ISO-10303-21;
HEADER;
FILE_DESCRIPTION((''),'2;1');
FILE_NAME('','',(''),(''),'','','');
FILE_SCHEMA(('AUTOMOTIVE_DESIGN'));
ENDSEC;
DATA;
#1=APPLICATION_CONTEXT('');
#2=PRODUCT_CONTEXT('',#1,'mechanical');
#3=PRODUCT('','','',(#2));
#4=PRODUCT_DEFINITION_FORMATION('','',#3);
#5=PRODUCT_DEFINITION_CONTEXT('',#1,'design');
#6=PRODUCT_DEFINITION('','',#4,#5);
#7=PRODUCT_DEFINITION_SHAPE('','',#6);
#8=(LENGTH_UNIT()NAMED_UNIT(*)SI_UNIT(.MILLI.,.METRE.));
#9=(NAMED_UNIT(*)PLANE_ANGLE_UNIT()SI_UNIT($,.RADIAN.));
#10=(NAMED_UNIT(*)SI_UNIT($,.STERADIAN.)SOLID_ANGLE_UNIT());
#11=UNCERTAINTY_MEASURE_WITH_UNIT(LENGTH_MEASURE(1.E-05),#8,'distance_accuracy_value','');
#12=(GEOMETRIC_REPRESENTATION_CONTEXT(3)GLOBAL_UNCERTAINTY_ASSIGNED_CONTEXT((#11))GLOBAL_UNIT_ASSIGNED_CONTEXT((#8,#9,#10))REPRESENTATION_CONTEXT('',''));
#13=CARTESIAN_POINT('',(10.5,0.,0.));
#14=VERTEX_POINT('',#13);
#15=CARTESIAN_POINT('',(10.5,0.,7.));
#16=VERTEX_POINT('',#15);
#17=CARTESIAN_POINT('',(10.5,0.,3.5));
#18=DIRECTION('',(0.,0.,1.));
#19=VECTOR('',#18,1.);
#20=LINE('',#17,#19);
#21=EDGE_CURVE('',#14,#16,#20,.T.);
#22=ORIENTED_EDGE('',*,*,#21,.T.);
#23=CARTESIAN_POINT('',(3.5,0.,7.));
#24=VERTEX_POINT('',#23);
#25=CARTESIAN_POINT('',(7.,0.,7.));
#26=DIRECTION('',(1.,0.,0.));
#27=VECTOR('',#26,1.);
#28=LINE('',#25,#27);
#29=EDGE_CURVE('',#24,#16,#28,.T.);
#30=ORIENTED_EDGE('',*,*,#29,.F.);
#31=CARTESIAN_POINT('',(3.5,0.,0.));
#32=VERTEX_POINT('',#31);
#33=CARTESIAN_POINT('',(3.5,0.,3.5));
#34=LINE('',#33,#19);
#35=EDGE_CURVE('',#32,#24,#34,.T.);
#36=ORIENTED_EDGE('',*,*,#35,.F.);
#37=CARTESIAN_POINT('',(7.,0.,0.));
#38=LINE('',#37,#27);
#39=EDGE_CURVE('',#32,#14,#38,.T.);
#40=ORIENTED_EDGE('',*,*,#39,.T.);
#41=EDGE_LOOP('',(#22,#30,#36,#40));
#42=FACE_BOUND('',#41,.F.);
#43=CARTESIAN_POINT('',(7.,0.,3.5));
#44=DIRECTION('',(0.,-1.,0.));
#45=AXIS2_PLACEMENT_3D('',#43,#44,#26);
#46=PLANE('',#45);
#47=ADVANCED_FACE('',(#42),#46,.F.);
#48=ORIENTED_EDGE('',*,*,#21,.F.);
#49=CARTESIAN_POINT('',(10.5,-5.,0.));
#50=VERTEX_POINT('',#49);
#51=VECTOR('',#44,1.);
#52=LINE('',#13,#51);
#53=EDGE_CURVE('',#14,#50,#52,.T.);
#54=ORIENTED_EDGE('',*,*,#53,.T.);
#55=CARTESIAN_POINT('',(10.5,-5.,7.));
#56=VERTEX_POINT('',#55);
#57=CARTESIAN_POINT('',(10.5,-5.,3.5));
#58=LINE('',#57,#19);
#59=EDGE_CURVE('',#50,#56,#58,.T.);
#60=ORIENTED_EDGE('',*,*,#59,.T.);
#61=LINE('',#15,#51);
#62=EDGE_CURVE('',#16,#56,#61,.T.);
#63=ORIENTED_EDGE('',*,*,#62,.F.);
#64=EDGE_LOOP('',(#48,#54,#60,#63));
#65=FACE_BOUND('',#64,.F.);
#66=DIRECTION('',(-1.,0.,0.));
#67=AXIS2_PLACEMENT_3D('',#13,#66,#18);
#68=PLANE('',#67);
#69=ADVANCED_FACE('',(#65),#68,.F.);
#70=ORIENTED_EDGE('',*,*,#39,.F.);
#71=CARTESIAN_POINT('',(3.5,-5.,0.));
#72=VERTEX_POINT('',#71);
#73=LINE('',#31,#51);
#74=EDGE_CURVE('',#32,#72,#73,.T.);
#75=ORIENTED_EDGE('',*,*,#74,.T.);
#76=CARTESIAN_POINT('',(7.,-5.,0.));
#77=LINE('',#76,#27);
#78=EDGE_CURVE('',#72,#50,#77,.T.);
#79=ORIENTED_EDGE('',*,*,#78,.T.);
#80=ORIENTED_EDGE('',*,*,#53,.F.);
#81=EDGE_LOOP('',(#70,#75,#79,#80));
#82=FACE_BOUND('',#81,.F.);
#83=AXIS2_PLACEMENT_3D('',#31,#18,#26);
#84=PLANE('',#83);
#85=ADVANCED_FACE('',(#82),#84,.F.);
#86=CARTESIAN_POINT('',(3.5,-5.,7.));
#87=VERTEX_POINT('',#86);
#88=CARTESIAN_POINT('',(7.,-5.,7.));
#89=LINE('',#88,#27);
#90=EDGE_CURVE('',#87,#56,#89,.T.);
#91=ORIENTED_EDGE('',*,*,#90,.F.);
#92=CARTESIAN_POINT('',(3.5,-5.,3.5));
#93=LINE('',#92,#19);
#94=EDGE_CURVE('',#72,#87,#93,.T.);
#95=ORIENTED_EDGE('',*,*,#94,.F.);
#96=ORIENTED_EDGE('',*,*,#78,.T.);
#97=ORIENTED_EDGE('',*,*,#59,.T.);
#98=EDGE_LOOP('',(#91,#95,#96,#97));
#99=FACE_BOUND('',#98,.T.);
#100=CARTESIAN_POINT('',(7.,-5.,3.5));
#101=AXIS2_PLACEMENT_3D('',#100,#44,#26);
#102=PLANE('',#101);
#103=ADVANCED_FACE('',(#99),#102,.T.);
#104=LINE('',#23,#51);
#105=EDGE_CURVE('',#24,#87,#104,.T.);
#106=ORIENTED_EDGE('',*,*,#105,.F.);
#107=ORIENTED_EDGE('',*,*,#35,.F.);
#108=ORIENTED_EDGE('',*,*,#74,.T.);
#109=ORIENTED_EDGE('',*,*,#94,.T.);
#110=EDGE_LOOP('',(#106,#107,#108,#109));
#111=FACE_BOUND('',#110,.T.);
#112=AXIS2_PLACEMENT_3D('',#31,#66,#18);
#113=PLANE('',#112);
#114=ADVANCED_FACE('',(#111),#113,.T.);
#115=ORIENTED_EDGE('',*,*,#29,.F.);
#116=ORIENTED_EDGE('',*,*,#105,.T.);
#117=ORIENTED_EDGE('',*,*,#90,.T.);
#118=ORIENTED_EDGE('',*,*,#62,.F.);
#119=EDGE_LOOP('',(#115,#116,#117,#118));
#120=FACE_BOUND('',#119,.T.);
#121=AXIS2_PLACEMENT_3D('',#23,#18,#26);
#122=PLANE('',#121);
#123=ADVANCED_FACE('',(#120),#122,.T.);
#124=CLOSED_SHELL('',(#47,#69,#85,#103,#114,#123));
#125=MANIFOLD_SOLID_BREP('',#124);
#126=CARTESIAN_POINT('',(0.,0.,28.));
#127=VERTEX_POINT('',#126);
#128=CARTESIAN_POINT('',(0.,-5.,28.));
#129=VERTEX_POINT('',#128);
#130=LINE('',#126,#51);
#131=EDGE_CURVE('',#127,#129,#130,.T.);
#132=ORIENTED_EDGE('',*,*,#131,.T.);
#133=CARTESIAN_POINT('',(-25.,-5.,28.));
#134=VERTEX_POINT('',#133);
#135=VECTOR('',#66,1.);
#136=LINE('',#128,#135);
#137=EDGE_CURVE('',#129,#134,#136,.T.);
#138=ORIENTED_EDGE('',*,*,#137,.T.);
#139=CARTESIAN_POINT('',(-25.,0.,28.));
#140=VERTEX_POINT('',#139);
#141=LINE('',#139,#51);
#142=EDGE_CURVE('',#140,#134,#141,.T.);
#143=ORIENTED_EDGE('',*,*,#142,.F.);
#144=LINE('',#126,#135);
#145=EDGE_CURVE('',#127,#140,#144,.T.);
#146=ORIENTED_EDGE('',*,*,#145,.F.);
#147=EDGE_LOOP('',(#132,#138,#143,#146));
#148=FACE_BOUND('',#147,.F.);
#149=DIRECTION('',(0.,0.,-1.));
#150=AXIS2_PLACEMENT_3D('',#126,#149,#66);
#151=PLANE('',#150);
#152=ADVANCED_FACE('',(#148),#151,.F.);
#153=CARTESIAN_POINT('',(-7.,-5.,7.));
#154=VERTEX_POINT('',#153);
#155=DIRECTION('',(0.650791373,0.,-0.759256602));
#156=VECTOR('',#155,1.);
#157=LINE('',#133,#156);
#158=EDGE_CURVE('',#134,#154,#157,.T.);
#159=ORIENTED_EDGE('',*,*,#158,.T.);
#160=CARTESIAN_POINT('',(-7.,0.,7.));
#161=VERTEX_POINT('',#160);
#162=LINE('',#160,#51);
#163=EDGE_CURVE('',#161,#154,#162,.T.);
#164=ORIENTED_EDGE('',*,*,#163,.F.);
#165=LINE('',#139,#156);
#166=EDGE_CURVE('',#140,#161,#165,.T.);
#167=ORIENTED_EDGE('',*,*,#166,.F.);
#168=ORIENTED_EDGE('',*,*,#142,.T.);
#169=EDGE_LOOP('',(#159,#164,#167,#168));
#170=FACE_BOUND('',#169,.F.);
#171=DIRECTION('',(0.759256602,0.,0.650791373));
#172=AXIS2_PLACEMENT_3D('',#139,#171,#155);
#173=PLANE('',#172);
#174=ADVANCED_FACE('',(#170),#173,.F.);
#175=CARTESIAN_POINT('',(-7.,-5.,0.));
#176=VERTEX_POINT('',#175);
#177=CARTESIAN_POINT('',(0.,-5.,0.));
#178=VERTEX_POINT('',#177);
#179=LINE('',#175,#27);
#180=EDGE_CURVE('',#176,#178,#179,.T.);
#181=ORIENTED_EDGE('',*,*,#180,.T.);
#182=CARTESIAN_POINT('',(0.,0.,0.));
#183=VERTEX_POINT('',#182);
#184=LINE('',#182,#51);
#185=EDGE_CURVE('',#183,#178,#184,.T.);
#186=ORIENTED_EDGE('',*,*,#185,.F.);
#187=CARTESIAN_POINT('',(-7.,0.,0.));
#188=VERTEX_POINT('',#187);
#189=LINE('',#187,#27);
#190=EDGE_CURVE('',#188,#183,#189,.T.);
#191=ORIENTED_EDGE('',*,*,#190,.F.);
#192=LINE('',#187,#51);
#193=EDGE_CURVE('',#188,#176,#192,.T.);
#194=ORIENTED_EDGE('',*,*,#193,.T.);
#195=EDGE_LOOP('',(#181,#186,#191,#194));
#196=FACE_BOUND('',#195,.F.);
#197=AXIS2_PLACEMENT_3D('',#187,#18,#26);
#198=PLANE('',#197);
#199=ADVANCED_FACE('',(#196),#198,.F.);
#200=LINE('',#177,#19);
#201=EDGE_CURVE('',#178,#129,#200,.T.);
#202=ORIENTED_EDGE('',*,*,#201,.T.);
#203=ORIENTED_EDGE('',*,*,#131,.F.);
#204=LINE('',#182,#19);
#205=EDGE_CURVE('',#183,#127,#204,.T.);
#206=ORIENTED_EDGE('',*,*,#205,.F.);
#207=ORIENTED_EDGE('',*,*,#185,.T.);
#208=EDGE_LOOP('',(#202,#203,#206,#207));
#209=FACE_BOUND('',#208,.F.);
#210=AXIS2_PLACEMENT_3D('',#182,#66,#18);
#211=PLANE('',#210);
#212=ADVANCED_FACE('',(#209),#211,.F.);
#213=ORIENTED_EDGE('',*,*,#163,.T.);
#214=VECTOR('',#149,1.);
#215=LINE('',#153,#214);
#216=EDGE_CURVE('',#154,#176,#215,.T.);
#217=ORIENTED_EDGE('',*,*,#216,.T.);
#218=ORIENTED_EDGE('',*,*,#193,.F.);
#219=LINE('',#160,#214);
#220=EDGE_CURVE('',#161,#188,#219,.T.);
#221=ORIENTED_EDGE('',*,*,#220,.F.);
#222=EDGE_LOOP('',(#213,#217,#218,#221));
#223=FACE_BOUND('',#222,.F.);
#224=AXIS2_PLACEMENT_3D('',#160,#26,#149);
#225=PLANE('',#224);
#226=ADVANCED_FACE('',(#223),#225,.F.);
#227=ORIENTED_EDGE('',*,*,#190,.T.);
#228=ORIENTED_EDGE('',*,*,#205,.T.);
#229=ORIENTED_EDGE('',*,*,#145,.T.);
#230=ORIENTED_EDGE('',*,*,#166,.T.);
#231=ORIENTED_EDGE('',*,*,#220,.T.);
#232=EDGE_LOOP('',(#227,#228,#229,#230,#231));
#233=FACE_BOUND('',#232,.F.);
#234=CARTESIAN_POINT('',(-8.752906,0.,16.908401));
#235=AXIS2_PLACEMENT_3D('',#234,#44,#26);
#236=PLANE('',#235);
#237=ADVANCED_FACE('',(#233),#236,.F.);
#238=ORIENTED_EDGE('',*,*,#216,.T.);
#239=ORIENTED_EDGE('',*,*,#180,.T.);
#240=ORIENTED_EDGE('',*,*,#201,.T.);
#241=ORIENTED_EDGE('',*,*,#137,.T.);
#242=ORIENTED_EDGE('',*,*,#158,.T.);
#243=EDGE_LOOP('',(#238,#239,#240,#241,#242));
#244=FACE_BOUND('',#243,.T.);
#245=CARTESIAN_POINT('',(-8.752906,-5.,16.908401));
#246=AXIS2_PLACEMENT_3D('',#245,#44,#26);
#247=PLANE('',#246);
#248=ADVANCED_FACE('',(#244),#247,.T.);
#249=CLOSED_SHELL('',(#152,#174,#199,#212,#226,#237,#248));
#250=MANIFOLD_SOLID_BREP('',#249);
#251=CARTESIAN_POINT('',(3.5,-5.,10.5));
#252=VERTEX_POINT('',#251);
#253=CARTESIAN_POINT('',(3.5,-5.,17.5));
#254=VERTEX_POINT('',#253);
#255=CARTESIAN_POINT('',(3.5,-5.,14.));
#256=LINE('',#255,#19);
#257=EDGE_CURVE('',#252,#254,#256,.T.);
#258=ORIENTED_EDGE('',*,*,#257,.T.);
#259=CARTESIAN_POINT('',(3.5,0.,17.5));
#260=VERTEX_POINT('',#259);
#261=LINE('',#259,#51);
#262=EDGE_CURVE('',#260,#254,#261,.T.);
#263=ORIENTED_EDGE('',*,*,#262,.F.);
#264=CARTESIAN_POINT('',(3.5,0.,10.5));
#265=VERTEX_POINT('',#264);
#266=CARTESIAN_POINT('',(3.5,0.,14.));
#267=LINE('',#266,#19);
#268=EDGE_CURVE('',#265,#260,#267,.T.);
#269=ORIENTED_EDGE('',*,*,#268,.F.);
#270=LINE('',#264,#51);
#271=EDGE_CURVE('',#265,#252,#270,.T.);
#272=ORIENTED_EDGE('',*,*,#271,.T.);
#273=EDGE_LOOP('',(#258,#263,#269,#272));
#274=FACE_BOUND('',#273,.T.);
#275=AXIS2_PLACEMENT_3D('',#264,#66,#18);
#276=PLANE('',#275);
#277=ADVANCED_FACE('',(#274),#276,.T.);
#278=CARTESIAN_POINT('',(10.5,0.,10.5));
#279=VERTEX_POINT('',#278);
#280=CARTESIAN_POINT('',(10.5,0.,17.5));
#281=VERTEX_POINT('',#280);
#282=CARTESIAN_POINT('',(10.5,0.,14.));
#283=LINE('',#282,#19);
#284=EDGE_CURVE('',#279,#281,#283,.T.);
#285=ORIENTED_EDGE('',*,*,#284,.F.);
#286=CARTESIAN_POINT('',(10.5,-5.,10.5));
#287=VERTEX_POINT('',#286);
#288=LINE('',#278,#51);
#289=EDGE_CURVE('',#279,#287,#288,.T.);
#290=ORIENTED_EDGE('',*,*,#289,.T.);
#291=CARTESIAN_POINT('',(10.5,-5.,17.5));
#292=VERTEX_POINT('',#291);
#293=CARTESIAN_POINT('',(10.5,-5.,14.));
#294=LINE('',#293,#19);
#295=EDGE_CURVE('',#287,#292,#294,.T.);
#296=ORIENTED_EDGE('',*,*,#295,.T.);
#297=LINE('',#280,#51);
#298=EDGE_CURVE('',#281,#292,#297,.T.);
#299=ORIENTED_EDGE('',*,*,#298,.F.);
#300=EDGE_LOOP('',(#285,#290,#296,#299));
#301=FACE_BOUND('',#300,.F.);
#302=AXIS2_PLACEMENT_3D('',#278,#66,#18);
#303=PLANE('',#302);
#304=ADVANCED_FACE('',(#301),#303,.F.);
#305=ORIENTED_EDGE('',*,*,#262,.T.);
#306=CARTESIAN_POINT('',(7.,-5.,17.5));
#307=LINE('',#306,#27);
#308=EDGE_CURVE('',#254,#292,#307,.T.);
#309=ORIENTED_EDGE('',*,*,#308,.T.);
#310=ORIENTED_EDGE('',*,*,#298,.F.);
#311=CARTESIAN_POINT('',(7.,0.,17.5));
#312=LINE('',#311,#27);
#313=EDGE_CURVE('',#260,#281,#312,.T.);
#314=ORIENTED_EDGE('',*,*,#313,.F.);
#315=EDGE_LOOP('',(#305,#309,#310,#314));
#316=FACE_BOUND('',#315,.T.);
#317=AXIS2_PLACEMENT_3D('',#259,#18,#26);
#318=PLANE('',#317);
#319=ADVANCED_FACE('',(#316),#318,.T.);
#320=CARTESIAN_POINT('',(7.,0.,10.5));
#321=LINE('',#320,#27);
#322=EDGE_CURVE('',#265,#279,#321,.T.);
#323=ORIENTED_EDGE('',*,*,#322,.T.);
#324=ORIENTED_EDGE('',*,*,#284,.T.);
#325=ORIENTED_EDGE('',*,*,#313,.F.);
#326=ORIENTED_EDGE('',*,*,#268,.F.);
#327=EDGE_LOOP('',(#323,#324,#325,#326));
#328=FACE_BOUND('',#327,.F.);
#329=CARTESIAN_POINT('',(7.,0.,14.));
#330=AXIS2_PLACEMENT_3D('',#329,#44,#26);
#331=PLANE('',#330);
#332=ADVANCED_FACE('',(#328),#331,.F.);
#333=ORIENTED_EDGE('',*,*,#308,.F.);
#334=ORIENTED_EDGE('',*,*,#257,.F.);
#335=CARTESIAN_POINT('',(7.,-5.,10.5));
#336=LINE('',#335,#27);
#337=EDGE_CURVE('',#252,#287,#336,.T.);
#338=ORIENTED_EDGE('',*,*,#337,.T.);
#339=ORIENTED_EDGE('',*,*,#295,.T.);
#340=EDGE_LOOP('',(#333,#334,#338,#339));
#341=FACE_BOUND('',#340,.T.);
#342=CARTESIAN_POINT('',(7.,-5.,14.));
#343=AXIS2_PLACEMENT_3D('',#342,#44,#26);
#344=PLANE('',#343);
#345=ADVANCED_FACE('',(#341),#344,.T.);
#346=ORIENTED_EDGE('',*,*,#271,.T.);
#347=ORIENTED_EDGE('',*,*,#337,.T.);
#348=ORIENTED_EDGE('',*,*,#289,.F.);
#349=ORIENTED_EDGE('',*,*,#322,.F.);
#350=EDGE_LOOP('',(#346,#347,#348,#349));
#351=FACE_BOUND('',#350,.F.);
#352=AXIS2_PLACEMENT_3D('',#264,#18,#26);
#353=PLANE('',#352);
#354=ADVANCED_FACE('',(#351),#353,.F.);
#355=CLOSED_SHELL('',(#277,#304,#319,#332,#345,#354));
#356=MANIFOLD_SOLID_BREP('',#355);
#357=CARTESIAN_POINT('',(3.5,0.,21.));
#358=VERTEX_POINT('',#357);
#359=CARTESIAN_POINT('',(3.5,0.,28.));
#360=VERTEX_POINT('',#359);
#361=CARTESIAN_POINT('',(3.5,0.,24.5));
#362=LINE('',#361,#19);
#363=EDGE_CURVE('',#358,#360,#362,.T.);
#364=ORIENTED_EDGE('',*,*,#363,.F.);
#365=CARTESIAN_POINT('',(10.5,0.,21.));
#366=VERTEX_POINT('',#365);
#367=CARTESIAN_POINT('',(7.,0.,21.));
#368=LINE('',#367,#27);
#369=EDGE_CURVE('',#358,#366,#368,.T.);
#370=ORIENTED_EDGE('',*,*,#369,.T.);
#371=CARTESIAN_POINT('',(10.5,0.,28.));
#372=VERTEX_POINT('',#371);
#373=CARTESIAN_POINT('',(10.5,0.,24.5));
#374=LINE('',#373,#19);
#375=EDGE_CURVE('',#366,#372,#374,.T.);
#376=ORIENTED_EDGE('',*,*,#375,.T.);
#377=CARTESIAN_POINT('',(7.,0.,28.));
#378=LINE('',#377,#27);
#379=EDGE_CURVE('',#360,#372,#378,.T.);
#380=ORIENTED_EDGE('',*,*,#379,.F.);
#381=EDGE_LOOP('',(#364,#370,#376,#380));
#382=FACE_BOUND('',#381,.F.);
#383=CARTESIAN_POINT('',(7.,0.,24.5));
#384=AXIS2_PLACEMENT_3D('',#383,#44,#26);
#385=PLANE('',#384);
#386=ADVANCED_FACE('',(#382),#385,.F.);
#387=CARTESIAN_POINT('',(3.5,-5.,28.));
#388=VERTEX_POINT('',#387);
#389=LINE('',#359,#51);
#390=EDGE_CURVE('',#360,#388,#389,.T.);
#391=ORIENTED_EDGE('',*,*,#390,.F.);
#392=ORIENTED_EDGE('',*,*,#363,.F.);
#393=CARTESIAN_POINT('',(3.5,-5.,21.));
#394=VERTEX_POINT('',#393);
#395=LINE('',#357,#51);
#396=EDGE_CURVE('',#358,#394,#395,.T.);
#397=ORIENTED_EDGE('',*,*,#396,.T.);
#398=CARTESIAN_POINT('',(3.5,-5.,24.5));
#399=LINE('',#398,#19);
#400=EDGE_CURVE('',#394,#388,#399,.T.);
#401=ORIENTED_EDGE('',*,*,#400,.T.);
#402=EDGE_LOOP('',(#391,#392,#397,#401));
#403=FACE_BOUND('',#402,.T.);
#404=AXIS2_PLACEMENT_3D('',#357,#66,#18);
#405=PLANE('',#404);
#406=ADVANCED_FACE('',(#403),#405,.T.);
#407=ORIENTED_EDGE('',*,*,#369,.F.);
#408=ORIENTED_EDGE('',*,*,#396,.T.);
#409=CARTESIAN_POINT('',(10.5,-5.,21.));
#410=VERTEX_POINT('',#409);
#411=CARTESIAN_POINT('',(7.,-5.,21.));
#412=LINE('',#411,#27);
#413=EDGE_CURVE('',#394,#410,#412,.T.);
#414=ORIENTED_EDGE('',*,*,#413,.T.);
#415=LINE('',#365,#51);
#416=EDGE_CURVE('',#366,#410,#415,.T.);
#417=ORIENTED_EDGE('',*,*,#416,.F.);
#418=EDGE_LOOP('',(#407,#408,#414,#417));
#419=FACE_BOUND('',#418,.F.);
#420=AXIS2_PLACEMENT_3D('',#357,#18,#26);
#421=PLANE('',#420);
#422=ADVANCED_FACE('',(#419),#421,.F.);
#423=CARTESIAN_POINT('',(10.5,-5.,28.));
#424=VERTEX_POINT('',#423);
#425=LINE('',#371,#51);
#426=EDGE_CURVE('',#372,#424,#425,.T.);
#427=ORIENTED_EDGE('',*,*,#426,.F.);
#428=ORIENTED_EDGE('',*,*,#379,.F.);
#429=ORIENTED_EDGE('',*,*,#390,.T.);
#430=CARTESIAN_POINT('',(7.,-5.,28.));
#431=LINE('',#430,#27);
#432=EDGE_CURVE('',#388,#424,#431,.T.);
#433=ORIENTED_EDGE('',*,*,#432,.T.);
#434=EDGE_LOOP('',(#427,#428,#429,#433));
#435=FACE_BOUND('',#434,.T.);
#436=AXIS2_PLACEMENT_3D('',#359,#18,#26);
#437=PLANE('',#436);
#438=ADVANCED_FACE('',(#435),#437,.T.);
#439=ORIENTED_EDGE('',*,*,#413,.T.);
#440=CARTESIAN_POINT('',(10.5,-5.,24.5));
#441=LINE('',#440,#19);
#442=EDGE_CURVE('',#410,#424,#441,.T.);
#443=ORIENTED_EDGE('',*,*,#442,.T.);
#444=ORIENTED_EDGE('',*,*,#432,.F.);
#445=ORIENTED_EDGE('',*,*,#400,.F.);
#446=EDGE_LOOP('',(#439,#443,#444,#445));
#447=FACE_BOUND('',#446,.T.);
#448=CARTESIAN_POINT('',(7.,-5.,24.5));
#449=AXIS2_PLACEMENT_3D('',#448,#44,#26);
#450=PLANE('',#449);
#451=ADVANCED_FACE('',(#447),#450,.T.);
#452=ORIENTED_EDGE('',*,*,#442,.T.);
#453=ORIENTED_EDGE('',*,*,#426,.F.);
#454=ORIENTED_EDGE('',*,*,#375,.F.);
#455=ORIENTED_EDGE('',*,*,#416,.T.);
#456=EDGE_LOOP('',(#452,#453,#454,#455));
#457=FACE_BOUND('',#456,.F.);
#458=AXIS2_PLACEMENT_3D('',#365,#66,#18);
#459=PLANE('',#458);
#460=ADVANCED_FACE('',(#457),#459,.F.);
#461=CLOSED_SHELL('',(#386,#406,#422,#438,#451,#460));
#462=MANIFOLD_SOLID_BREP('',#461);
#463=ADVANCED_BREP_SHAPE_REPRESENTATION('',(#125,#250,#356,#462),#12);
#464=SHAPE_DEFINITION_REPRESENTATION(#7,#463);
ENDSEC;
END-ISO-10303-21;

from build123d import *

# Parameters (mm, degrees)
F0_W     = 7
F0_H     = 7
F1_DEPTH = 5


with BuildPart() as f1:
    # F0 (on Front) → F1 (new body)
    with BuildSketch(Plane.XZ):
        Polygon((0, 28), (-25, 28), (-7, 7), (-7, 0), (0, 0), align=None)
        with Locations((7, 24.5)):
            Rectangle(F0_W, F0_H)
        with Locations((7, 14)):
            Rectangle(F0_W, F0_H)
        with Locations((7, 3.5)):
            Rectangle(F0_W, F0_H)
    extrude(amount=F1_DEPTH)


solid = f1.part
